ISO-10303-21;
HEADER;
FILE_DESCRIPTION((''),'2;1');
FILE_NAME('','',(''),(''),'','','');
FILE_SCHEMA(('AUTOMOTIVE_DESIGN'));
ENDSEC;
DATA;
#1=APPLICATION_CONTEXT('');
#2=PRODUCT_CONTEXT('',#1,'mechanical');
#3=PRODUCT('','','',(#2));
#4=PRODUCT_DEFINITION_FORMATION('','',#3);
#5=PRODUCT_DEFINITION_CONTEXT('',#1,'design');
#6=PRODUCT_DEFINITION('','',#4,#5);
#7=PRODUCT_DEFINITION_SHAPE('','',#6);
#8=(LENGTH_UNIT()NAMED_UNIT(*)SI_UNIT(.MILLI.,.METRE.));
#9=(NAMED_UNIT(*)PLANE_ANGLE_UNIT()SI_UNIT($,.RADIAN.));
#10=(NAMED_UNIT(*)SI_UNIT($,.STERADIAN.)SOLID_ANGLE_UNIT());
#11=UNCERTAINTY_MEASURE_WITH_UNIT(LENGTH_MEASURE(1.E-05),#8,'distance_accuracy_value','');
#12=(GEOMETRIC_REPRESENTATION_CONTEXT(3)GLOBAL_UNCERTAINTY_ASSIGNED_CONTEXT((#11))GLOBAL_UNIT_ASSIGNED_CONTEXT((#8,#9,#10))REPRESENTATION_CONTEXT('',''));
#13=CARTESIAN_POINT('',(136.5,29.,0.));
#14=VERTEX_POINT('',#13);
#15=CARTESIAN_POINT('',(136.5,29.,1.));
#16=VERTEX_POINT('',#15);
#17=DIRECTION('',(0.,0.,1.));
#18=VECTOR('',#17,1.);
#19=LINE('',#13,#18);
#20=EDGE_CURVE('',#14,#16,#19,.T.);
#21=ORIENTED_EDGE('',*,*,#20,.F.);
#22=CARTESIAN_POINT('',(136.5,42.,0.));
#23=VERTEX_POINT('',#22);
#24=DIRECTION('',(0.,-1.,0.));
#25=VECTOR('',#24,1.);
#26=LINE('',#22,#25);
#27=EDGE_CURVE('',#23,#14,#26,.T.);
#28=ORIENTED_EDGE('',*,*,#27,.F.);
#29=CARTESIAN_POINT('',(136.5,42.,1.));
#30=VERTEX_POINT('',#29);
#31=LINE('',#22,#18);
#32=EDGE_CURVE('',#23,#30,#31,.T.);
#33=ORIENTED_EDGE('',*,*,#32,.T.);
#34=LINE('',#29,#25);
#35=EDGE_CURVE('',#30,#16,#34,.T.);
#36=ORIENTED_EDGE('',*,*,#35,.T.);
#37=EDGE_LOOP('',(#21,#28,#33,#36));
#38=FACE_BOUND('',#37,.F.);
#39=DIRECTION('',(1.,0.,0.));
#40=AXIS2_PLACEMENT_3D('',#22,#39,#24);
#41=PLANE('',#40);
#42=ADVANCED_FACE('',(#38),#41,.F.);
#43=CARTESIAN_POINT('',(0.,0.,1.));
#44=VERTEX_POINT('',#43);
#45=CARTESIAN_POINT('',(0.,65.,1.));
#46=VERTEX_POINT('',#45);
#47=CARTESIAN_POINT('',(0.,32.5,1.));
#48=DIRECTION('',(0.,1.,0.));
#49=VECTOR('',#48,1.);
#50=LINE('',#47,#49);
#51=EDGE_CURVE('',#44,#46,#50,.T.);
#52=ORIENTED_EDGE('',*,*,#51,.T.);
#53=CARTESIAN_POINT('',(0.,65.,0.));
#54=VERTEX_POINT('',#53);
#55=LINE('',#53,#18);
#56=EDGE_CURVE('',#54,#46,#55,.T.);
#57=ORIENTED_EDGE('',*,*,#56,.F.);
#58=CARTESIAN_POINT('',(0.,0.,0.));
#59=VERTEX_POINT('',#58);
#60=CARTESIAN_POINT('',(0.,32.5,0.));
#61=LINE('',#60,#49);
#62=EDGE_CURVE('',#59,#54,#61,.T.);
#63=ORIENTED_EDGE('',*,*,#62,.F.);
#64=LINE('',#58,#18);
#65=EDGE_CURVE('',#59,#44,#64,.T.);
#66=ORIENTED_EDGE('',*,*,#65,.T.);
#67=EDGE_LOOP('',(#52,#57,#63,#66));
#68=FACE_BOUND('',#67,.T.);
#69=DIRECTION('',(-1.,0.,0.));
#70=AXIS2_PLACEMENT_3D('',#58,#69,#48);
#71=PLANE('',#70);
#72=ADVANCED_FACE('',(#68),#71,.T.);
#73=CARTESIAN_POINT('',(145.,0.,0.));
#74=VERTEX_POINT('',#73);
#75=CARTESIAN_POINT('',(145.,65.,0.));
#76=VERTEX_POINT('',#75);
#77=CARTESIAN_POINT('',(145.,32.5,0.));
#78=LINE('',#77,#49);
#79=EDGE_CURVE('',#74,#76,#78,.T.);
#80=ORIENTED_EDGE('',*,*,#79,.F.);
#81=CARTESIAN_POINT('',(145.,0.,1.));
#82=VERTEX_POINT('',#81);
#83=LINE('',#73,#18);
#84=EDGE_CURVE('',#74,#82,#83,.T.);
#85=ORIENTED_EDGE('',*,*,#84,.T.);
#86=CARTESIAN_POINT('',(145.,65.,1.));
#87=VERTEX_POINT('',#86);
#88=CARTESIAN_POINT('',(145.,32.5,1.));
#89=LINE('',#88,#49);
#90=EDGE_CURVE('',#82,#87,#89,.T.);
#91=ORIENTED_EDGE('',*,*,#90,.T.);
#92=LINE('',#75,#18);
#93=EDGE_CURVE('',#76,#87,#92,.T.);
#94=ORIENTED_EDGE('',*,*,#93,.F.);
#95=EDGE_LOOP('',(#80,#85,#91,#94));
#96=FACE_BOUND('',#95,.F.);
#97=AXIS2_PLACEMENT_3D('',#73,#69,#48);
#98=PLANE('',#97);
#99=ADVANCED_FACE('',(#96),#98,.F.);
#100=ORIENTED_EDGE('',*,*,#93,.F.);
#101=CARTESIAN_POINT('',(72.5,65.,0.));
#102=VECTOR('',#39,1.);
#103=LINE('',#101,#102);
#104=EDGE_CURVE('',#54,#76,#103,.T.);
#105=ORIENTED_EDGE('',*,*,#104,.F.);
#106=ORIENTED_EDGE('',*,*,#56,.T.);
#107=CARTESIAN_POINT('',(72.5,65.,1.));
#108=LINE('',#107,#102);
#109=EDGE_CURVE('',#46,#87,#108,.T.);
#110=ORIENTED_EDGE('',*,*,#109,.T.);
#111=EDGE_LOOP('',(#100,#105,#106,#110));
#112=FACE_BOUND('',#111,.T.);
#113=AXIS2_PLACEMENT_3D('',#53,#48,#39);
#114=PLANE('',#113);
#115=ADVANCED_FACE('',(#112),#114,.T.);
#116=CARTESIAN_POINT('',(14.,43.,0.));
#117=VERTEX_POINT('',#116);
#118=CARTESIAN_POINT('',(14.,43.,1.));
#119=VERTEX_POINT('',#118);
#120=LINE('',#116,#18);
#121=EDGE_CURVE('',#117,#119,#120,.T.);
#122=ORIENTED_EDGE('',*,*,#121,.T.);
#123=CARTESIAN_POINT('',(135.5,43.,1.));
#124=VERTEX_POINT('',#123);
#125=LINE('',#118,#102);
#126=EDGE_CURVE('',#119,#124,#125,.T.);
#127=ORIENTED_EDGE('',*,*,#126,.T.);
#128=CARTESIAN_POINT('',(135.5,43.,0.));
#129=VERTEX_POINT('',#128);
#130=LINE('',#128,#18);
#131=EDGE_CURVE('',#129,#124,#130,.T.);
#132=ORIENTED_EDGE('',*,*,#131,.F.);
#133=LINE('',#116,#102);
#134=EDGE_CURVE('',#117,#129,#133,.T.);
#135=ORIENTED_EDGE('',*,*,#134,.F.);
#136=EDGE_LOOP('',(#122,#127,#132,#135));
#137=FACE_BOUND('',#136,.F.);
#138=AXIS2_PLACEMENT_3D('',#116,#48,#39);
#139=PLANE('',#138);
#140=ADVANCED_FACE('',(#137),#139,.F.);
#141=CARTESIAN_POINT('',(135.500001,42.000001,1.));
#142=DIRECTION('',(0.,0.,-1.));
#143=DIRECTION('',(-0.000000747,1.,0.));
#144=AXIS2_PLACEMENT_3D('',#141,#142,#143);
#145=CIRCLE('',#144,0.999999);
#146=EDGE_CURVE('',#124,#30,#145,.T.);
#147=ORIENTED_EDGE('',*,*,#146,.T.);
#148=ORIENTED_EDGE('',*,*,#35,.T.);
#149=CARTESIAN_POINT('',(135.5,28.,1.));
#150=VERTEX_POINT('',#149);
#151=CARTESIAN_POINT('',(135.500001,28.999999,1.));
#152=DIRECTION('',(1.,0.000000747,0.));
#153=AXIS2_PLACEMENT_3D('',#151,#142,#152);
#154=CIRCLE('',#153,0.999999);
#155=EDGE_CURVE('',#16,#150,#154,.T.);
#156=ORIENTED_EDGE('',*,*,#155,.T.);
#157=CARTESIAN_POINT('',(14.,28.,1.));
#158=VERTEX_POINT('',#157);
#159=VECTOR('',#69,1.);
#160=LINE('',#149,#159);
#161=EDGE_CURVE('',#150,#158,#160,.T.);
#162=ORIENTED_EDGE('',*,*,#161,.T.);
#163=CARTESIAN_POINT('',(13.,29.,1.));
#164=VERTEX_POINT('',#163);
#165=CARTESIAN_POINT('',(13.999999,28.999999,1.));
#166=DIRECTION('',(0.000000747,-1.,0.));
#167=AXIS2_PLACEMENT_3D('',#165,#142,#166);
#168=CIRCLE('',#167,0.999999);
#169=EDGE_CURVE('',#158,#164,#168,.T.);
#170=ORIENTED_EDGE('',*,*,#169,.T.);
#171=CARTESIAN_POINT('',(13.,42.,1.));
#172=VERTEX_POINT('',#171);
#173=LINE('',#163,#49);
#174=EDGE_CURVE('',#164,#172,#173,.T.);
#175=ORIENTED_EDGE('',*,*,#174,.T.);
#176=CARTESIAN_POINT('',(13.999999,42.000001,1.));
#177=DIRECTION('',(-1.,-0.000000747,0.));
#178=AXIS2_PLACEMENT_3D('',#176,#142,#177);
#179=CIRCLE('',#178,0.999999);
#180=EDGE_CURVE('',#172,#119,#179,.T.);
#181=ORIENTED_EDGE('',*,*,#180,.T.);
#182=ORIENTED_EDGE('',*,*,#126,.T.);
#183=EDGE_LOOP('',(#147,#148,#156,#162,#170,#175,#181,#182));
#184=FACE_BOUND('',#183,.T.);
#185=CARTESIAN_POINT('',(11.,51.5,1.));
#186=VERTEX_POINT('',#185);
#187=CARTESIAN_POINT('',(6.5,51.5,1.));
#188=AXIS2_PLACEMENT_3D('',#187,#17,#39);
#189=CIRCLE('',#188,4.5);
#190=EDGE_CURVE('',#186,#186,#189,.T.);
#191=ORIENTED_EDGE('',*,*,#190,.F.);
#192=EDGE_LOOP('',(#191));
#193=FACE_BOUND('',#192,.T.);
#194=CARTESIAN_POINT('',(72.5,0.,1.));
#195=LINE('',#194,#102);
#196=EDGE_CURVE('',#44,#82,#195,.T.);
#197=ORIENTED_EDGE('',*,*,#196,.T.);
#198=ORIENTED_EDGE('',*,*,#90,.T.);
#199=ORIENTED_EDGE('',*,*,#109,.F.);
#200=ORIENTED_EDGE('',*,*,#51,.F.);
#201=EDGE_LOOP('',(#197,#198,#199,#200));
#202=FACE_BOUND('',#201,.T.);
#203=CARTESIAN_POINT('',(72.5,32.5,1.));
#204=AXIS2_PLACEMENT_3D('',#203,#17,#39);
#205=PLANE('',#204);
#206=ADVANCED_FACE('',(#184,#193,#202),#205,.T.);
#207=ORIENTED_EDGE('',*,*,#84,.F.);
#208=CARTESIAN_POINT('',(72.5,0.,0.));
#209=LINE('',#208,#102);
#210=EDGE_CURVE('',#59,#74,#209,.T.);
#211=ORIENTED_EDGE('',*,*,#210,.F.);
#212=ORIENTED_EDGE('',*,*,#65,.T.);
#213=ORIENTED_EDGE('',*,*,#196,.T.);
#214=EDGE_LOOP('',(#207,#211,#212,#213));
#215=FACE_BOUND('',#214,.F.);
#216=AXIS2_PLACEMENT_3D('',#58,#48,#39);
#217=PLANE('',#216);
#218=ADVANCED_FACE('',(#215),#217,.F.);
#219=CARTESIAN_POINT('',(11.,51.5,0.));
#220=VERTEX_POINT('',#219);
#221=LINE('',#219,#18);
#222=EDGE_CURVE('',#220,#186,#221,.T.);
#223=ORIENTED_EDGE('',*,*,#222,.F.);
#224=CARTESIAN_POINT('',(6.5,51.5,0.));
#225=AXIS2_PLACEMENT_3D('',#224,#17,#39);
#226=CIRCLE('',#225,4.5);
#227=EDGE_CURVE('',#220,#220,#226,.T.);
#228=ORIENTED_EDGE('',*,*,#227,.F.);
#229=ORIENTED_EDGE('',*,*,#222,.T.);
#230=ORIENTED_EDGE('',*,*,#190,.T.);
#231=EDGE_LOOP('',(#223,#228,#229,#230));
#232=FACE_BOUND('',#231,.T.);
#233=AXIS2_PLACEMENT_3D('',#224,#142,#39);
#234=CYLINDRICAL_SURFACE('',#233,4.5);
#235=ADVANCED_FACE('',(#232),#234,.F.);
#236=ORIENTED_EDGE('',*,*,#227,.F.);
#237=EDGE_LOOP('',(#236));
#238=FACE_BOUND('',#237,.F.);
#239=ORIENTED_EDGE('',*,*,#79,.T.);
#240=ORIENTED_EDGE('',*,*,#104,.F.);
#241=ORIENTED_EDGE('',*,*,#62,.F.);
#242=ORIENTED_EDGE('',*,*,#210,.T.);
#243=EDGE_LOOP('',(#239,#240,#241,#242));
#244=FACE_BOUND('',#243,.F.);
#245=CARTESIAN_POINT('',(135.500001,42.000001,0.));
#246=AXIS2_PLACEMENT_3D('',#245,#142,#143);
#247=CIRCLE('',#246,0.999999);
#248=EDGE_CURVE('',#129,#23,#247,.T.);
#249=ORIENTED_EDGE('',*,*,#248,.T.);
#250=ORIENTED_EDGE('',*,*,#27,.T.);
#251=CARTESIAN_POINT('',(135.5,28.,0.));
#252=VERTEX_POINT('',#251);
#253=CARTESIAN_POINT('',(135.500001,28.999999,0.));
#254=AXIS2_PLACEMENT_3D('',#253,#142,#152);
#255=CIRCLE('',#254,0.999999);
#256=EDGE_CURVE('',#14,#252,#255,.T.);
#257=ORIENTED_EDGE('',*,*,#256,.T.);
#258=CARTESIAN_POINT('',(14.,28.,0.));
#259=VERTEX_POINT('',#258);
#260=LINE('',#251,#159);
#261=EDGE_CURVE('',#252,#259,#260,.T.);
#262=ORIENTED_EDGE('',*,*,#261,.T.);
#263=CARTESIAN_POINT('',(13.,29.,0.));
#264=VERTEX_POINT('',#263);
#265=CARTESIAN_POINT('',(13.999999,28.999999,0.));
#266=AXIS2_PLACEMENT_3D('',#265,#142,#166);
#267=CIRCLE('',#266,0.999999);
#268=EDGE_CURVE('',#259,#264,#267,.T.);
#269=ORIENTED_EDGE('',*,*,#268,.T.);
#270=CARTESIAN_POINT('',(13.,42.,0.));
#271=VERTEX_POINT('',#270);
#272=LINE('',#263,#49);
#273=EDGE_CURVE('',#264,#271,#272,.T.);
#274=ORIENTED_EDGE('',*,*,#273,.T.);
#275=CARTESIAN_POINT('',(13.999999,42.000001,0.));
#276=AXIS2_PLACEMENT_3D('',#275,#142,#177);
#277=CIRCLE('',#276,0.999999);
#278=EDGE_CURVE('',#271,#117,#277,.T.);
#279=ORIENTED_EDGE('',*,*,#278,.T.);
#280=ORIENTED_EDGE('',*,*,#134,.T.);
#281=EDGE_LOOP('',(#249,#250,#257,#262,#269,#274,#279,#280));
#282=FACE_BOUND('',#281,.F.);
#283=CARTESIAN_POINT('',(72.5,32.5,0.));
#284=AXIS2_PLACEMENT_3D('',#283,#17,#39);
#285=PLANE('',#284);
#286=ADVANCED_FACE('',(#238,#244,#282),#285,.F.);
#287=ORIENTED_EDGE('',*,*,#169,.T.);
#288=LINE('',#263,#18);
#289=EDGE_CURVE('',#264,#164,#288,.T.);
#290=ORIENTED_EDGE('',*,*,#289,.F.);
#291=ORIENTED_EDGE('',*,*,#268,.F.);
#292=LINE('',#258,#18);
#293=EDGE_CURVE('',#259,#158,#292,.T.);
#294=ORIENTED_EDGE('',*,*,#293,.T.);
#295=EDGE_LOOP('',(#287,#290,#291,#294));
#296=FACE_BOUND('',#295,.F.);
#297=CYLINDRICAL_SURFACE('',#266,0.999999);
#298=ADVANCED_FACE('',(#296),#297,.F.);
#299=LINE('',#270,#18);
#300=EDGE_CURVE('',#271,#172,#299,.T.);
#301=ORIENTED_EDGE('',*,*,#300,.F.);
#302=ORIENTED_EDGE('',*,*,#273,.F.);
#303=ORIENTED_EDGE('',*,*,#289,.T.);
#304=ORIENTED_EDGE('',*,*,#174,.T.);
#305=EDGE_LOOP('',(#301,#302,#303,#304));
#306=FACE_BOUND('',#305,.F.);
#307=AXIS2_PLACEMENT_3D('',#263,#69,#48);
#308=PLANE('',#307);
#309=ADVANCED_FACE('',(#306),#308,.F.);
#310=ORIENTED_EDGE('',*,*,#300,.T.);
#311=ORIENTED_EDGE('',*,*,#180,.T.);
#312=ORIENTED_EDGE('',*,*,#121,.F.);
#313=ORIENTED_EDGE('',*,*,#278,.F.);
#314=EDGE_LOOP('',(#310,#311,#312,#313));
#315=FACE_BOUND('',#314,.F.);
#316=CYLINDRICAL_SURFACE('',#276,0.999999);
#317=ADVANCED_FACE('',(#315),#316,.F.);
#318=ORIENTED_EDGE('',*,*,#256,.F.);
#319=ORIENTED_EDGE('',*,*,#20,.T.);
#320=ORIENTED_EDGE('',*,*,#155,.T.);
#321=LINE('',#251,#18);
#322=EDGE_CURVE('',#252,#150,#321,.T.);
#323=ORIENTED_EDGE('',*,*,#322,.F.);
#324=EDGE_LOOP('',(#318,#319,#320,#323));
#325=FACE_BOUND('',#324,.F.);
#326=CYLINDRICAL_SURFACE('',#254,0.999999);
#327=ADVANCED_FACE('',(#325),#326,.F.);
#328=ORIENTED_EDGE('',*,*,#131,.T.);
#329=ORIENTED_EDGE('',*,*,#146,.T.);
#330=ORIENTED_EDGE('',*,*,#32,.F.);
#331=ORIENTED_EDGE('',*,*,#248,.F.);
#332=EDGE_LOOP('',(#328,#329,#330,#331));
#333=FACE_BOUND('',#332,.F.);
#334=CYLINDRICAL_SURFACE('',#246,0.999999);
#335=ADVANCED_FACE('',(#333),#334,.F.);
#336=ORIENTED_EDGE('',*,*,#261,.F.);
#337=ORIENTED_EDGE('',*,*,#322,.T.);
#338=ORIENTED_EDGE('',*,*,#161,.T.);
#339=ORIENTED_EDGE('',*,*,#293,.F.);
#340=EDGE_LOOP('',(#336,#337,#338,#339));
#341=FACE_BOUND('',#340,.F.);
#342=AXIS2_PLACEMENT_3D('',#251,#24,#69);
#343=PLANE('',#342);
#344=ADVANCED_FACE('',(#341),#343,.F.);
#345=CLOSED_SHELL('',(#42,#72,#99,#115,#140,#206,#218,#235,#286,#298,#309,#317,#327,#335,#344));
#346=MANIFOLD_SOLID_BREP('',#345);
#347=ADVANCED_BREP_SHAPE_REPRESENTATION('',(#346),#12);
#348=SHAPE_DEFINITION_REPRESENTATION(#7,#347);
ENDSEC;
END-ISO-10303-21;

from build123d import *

# Parameters (mm, degrees)
F0_W     = 145
F0_H     = 65
F0_R     = 4.5
F1_DEPTH = 1


with BuildPart() as f1:
    # F0 (on Top) → F1 (new body)
    with BuildSketch(Plane.XY):
        with Locations((72.5, 32.5)):
            Rectangle(F0_W, F0_H)
        with Locations((6.5, 51.5)):
            Circle(F0_R, mode=Mode.SUBTRACT)
        with BuildLine():
            ThreePointArc((13, 42), (13.292893, 42.707107), (14, 43))
            Line((14, 43), (135.5, 43))
            ThreePointArc((135.5, 43), (136.207107, 42.707107), (136.5, 42))
            Line((136.5, 42), (136.5, 29))
            ThreePointArc((136.5, 29), (136.207107, 28.292893), (135.5, 28))
            Line((135.5, 28), (14, 28))
            ThreePointArc((14, 28), (13.292893, 28.292893), (13, 29))
            Line((13, 29), (13, 42))
        make_face(mode=Mode.SUBTRACT)
    extrude(amount=F1_DEPTH)


solid = f1.part
